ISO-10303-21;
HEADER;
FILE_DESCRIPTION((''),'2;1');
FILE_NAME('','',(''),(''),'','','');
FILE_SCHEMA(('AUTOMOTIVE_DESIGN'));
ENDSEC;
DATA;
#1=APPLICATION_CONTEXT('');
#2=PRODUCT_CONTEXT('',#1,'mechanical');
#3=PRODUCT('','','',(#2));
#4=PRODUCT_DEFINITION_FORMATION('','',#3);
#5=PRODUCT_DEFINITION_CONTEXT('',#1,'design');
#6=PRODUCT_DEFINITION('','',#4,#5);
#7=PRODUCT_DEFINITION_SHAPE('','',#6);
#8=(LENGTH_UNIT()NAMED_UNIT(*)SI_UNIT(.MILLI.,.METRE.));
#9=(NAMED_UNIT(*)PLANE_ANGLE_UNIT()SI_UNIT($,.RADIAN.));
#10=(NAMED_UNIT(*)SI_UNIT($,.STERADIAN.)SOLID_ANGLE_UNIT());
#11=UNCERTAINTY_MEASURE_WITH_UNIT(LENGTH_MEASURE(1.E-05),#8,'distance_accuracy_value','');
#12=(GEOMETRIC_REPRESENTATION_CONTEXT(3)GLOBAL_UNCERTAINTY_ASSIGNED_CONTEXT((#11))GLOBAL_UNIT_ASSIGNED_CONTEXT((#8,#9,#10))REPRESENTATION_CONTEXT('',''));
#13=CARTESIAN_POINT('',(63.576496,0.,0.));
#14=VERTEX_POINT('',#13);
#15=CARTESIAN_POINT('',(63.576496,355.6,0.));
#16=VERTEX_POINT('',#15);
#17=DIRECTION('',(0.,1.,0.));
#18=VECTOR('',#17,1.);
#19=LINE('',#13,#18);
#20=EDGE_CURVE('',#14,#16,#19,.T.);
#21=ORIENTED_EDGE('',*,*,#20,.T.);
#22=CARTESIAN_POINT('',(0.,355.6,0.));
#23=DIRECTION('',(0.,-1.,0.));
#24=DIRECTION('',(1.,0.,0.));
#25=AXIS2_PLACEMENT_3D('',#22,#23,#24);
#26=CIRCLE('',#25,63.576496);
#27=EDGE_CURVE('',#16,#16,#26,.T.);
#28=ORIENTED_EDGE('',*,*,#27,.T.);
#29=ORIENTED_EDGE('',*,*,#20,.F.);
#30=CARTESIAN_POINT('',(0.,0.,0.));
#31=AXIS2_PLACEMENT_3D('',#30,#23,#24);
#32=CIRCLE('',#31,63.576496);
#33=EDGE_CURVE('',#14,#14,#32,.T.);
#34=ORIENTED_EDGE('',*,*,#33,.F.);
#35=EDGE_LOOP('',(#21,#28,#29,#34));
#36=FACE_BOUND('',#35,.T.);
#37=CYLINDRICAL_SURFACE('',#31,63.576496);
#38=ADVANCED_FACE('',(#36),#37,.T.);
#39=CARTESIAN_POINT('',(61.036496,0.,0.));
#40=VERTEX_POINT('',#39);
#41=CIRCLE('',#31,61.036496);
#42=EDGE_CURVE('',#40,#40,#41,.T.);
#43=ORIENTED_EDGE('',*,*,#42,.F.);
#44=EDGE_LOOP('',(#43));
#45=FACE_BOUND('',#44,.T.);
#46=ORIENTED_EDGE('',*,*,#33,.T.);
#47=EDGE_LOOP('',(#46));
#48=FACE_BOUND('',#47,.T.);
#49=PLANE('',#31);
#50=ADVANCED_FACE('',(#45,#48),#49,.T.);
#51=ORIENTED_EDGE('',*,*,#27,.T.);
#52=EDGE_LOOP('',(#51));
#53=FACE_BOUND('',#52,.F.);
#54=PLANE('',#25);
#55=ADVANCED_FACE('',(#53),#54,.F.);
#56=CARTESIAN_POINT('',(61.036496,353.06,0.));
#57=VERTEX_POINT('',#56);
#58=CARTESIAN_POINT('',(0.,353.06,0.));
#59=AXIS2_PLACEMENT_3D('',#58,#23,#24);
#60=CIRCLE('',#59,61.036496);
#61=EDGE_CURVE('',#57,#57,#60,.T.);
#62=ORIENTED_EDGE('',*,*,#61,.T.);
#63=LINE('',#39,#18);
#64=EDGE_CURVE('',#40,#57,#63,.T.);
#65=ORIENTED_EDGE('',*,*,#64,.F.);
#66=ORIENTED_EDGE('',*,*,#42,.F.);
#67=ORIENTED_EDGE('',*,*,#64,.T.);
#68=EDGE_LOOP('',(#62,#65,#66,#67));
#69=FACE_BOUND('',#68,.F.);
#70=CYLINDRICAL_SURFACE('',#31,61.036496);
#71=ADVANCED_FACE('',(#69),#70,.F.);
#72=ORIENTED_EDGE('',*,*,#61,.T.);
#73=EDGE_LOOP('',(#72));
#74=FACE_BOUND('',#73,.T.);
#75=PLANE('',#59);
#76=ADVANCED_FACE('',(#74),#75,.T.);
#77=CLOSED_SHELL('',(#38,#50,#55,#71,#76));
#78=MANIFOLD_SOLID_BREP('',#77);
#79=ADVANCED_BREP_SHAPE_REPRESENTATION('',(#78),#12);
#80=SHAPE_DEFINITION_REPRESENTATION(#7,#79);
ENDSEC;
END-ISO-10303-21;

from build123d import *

# Parameters (mm, degrees)
F0_R     = 63.576496
F1_DEPTH = 355.6
F2_T     = -2.54


with BuildPart() as f1:
    # F0 (on Front) → F1 (new body)
    with BuildSketch(Plane.XZ):
        Circle(F0_R)
    extrude(amount=-F1_DEPTH)

    # F2
    f2_openings = [f1.faces().sort_by_distance(p)[0] for p in [
        (0, 0, 0),
    ]]
    offset(amount=F2_T, openings=f2_openings)


solid = f1.part
